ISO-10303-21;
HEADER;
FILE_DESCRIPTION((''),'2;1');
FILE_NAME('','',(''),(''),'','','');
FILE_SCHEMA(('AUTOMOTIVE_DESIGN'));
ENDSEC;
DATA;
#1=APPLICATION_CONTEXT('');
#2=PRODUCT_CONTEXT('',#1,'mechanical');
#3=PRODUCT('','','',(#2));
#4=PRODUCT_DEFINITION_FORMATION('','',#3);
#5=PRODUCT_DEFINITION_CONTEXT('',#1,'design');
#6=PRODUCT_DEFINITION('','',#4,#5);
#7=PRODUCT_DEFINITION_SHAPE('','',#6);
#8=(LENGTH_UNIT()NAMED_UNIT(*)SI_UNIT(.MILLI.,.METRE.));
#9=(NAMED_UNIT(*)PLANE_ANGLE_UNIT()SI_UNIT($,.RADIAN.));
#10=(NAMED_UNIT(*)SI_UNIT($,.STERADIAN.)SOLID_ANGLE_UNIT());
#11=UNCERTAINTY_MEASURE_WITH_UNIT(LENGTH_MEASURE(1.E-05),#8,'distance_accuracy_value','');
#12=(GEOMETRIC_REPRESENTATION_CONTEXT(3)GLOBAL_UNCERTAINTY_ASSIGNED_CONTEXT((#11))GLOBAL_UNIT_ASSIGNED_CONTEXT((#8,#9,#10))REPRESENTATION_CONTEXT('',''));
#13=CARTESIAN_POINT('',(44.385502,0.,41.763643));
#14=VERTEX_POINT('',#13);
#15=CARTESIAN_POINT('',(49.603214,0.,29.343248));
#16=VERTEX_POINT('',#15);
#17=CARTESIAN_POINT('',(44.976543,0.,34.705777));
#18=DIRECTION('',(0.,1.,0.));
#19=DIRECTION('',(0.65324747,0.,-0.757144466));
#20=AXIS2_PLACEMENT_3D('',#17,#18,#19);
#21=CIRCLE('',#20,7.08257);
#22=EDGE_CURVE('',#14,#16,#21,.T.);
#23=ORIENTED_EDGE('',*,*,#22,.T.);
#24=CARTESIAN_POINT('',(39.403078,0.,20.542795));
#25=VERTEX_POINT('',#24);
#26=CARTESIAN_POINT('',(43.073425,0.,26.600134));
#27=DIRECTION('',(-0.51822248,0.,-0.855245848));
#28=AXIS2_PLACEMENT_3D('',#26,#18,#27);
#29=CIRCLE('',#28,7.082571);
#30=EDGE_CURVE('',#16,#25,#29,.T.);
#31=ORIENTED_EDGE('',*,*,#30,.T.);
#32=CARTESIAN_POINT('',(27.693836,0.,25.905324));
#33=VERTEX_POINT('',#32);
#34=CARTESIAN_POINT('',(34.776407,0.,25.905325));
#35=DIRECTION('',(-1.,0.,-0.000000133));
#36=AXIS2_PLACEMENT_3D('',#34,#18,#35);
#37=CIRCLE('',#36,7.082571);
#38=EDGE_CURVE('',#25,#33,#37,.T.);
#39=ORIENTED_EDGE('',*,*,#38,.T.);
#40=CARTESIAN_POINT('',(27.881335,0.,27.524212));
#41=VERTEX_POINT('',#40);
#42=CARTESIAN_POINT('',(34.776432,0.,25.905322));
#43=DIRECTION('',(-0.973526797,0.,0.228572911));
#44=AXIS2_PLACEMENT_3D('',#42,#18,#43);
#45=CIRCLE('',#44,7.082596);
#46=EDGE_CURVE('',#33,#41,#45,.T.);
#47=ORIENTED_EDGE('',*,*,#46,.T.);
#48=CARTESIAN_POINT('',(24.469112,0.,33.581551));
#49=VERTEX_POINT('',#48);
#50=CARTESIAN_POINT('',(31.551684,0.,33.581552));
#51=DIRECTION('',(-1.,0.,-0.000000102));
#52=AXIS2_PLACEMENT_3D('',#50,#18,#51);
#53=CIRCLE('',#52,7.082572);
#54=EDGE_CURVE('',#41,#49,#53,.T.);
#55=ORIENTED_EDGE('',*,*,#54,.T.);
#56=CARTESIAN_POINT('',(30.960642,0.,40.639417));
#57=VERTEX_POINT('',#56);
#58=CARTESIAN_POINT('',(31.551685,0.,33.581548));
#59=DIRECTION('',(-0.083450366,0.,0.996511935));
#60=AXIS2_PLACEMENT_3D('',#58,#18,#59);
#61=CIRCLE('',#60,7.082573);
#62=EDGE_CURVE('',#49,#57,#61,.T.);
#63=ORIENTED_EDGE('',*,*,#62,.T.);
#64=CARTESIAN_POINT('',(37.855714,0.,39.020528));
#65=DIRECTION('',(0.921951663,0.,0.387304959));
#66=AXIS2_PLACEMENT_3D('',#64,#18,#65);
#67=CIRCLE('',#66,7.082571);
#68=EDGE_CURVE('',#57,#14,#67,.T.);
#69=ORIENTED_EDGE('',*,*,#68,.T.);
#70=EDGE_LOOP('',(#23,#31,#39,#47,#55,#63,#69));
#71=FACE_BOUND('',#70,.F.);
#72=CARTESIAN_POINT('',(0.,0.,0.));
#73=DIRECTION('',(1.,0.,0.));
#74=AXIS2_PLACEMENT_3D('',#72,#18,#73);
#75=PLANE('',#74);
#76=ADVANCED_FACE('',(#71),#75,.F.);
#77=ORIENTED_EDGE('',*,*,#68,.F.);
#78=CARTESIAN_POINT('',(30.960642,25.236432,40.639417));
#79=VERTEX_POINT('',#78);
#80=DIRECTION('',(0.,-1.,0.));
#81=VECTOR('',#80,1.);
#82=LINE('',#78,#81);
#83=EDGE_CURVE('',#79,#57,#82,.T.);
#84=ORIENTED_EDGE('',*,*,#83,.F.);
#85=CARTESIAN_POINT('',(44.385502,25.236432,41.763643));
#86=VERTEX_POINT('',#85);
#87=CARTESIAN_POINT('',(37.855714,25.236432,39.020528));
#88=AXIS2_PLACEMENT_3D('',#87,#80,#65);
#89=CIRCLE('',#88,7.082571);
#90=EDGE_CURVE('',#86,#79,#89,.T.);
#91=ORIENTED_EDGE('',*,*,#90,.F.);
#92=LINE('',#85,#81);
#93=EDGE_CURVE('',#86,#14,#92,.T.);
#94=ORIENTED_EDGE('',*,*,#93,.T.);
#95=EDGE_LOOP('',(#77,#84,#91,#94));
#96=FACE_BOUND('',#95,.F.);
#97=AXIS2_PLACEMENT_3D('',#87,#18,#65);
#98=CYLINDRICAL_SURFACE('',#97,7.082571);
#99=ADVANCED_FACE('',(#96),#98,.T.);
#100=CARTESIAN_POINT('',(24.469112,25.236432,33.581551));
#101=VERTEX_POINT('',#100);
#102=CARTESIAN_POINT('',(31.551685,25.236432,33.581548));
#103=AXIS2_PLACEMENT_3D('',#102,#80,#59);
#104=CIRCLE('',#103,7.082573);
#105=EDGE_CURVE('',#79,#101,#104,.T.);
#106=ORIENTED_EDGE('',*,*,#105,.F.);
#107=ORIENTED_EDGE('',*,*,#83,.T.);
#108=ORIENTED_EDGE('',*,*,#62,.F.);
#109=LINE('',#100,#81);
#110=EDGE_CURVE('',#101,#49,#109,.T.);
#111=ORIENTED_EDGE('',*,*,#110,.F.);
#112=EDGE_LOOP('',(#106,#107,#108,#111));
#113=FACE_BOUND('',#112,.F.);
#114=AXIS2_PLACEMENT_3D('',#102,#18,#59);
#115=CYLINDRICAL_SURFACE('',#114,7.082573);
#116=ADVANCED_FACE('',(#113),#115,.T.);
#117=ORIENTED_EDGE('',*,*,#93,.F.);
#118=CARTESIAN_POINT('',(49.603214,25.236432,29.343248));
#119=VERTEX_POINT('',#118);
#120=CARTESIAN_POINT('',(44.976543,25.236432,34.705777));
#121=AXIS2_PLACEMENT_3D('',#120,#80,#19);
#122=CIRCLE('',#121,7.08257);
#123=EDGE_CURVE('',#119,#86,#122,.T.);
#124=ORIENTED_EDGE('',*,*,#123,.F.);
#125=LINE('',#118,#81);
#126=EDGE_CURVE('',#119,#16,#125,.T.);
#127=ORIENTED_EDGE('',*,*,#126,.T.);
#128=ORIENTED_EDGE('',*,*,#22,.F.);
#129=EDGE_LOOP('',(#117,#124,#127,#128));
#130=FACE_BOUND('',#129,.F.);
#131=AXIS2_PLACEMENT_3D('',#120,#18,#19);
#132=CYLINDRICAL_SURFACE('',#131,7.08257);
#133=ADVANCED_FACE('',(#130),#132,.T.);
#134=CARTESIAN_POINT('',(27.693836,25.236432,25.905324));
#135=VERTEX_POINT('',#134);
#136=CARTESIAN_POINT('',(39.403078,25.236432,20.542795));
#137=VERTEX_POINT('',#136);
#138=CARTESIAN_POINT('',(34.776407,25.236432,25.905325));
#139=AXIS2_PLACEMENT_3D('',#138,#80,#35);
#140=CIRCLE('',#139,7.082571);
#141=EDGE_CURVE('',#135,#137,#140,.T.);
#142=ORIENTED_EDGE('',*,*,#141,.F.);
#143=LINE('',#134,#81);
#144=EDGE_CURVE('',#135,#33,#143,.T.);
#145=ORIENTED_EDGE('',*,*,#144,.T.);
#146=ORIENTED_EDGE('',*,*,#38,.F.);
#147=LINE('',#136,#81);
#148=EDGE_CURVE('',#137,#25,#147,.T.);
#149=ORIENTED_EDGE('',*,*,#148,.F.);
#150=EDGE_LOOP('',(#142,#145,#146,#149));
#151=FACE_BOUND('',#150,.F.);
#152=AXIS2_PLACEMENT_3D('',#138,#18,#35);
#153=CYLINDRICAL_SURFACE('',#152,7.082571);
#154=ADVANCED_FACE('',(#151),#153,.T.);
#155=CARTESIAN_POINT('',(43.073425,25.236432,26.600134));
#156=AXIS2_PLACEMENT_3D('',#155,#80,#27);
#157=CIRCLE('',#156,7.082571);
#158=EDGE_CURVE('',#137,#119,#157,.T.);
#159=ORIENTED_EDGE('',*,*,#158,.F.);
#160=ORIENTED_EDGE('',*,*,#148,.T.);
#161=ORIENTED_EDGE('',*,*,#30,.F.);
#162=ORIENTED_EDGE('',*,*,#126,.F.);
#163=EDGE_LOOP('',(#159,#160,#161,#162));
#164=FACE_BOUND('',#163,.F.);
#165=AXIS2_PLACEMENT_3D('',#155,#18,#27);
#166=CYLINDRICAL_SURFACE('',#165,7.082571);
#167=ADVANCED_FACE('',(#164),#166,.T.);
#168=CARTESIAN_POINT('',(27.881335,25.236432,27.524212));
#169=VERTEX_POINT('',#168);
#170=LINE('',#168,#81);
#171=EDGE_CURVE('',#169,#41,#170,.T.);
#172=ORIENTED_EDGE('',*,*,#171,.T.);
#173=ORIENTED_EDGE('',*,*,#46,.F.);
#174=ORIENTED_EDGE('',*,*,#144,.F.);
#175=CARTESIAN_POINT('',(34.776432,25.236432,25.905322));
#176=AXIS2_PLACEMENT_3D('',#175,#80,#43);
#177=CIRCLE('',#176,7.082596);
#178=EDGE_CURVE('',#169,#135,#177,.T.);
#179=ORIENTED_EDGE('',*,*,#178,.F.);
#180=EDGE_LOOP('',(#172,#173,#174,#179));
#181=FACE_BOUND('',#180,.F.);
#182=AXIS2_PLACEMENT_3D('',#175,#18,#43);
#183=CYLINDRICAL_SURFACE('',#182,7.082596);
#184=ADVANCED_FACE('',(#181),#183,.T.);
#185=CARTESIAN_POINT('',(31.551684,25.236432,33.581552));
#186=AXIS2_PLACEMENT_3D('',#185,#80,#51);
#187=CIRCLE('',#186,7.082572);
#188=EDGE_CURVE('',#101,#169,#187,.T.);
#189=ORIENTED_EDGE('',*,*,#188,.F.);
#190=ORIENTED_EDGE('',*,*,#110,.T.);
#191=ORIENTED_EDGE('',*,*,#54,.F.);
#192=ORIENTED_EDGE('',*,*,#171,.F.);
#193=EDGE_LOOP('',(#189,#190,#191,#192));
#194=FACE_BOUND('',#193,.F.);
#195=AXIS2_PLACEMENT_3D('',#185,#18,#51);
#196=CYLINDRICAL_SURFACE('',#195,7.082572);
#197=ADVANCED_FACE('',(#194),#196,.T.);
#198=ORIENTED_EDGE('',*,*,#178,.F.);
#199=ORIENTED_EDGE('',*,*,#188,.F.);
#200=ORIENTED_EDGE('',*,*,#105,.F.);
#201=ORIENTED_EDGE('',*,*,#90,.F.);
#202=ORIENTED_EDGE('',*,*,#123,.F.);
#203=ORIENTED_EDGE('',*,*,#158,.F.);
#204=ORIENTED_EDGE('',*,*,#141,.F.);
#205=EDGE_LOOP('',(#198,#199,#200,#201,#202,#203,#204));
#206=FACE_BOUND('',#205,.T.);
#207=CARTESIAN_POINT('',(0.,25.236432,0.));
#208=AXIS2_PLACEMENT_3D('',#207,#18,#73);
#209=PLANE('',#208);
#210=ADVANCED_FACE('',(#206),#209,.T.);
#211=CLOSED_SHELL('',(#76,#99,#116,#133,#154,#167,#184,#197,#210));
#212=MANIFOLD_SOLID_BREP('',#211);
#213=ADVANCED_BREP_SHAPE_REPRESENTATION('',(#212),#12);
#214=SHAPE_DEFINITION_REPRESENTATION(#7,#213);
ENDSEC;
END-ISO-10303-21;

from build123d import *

# Parameters (mm, degrees)
F0_W     = 70.869125
F0_H     = 25.236432
F1_DEPTH = 63.8
F2_W     = 70.869125
F2_H     = 63.8
F3_DEPTH = 93.9


with BuildPart() as f1:
    # F0 (on Top) → F1 (new body)
    with BuildSketch(Plane.XY):
        with Locations((35.434562, 12.618216)):
            Rectangle(F0_W, F0_H)
    extrude(amount=F1_DEPTH)

    # F2 (on face) → F3 (cut)
    with BuildSketch(Plane(origin=(0, 25.236432, 0), x_dir=(-1, 0, 0), z_dir=(0, 1, 0))):
        with Locations((-35.434562, 31.9)):
            Rectangle(F2_W, F2_H)
        with BuildLine():
            ThreePointArc((-44.385502, 41.763643), (-37.264673, 46.078395), (-30.960642, 40.639417))
            ThreePointArc((-30.960642, 40.639417), (-26.338772, 38.376168), (-24.469112, 33.581551))
            ThreePointArc((-24.469112, 33.581551), (-25.380852, 30.105396), (-27.881335, 27.524212))
            ThreePointArc((-27.881335, 27.524212), (-27.740867, 26.720179), (-27.693836, 25.905324))
            ThreePointArc((-27.693836, 25.905324), (-31.827332, 19.465933), (-39.403078, 20.542795))
            ThreePointArc((-39.403078, 20.542795), (-47.700097, 21.237605), (-49.603214, 29.343248))
            ThreePointArc((-49.603214, 29.343248), (-51.506331, 37.44889), (-44.385502, 41.763643))
        make_face(mode=Mode.SUBTRACT)
    extrude(amount=-F3_DEPTH, mode=Mode.SUBTRACT)


solid = f1.part
